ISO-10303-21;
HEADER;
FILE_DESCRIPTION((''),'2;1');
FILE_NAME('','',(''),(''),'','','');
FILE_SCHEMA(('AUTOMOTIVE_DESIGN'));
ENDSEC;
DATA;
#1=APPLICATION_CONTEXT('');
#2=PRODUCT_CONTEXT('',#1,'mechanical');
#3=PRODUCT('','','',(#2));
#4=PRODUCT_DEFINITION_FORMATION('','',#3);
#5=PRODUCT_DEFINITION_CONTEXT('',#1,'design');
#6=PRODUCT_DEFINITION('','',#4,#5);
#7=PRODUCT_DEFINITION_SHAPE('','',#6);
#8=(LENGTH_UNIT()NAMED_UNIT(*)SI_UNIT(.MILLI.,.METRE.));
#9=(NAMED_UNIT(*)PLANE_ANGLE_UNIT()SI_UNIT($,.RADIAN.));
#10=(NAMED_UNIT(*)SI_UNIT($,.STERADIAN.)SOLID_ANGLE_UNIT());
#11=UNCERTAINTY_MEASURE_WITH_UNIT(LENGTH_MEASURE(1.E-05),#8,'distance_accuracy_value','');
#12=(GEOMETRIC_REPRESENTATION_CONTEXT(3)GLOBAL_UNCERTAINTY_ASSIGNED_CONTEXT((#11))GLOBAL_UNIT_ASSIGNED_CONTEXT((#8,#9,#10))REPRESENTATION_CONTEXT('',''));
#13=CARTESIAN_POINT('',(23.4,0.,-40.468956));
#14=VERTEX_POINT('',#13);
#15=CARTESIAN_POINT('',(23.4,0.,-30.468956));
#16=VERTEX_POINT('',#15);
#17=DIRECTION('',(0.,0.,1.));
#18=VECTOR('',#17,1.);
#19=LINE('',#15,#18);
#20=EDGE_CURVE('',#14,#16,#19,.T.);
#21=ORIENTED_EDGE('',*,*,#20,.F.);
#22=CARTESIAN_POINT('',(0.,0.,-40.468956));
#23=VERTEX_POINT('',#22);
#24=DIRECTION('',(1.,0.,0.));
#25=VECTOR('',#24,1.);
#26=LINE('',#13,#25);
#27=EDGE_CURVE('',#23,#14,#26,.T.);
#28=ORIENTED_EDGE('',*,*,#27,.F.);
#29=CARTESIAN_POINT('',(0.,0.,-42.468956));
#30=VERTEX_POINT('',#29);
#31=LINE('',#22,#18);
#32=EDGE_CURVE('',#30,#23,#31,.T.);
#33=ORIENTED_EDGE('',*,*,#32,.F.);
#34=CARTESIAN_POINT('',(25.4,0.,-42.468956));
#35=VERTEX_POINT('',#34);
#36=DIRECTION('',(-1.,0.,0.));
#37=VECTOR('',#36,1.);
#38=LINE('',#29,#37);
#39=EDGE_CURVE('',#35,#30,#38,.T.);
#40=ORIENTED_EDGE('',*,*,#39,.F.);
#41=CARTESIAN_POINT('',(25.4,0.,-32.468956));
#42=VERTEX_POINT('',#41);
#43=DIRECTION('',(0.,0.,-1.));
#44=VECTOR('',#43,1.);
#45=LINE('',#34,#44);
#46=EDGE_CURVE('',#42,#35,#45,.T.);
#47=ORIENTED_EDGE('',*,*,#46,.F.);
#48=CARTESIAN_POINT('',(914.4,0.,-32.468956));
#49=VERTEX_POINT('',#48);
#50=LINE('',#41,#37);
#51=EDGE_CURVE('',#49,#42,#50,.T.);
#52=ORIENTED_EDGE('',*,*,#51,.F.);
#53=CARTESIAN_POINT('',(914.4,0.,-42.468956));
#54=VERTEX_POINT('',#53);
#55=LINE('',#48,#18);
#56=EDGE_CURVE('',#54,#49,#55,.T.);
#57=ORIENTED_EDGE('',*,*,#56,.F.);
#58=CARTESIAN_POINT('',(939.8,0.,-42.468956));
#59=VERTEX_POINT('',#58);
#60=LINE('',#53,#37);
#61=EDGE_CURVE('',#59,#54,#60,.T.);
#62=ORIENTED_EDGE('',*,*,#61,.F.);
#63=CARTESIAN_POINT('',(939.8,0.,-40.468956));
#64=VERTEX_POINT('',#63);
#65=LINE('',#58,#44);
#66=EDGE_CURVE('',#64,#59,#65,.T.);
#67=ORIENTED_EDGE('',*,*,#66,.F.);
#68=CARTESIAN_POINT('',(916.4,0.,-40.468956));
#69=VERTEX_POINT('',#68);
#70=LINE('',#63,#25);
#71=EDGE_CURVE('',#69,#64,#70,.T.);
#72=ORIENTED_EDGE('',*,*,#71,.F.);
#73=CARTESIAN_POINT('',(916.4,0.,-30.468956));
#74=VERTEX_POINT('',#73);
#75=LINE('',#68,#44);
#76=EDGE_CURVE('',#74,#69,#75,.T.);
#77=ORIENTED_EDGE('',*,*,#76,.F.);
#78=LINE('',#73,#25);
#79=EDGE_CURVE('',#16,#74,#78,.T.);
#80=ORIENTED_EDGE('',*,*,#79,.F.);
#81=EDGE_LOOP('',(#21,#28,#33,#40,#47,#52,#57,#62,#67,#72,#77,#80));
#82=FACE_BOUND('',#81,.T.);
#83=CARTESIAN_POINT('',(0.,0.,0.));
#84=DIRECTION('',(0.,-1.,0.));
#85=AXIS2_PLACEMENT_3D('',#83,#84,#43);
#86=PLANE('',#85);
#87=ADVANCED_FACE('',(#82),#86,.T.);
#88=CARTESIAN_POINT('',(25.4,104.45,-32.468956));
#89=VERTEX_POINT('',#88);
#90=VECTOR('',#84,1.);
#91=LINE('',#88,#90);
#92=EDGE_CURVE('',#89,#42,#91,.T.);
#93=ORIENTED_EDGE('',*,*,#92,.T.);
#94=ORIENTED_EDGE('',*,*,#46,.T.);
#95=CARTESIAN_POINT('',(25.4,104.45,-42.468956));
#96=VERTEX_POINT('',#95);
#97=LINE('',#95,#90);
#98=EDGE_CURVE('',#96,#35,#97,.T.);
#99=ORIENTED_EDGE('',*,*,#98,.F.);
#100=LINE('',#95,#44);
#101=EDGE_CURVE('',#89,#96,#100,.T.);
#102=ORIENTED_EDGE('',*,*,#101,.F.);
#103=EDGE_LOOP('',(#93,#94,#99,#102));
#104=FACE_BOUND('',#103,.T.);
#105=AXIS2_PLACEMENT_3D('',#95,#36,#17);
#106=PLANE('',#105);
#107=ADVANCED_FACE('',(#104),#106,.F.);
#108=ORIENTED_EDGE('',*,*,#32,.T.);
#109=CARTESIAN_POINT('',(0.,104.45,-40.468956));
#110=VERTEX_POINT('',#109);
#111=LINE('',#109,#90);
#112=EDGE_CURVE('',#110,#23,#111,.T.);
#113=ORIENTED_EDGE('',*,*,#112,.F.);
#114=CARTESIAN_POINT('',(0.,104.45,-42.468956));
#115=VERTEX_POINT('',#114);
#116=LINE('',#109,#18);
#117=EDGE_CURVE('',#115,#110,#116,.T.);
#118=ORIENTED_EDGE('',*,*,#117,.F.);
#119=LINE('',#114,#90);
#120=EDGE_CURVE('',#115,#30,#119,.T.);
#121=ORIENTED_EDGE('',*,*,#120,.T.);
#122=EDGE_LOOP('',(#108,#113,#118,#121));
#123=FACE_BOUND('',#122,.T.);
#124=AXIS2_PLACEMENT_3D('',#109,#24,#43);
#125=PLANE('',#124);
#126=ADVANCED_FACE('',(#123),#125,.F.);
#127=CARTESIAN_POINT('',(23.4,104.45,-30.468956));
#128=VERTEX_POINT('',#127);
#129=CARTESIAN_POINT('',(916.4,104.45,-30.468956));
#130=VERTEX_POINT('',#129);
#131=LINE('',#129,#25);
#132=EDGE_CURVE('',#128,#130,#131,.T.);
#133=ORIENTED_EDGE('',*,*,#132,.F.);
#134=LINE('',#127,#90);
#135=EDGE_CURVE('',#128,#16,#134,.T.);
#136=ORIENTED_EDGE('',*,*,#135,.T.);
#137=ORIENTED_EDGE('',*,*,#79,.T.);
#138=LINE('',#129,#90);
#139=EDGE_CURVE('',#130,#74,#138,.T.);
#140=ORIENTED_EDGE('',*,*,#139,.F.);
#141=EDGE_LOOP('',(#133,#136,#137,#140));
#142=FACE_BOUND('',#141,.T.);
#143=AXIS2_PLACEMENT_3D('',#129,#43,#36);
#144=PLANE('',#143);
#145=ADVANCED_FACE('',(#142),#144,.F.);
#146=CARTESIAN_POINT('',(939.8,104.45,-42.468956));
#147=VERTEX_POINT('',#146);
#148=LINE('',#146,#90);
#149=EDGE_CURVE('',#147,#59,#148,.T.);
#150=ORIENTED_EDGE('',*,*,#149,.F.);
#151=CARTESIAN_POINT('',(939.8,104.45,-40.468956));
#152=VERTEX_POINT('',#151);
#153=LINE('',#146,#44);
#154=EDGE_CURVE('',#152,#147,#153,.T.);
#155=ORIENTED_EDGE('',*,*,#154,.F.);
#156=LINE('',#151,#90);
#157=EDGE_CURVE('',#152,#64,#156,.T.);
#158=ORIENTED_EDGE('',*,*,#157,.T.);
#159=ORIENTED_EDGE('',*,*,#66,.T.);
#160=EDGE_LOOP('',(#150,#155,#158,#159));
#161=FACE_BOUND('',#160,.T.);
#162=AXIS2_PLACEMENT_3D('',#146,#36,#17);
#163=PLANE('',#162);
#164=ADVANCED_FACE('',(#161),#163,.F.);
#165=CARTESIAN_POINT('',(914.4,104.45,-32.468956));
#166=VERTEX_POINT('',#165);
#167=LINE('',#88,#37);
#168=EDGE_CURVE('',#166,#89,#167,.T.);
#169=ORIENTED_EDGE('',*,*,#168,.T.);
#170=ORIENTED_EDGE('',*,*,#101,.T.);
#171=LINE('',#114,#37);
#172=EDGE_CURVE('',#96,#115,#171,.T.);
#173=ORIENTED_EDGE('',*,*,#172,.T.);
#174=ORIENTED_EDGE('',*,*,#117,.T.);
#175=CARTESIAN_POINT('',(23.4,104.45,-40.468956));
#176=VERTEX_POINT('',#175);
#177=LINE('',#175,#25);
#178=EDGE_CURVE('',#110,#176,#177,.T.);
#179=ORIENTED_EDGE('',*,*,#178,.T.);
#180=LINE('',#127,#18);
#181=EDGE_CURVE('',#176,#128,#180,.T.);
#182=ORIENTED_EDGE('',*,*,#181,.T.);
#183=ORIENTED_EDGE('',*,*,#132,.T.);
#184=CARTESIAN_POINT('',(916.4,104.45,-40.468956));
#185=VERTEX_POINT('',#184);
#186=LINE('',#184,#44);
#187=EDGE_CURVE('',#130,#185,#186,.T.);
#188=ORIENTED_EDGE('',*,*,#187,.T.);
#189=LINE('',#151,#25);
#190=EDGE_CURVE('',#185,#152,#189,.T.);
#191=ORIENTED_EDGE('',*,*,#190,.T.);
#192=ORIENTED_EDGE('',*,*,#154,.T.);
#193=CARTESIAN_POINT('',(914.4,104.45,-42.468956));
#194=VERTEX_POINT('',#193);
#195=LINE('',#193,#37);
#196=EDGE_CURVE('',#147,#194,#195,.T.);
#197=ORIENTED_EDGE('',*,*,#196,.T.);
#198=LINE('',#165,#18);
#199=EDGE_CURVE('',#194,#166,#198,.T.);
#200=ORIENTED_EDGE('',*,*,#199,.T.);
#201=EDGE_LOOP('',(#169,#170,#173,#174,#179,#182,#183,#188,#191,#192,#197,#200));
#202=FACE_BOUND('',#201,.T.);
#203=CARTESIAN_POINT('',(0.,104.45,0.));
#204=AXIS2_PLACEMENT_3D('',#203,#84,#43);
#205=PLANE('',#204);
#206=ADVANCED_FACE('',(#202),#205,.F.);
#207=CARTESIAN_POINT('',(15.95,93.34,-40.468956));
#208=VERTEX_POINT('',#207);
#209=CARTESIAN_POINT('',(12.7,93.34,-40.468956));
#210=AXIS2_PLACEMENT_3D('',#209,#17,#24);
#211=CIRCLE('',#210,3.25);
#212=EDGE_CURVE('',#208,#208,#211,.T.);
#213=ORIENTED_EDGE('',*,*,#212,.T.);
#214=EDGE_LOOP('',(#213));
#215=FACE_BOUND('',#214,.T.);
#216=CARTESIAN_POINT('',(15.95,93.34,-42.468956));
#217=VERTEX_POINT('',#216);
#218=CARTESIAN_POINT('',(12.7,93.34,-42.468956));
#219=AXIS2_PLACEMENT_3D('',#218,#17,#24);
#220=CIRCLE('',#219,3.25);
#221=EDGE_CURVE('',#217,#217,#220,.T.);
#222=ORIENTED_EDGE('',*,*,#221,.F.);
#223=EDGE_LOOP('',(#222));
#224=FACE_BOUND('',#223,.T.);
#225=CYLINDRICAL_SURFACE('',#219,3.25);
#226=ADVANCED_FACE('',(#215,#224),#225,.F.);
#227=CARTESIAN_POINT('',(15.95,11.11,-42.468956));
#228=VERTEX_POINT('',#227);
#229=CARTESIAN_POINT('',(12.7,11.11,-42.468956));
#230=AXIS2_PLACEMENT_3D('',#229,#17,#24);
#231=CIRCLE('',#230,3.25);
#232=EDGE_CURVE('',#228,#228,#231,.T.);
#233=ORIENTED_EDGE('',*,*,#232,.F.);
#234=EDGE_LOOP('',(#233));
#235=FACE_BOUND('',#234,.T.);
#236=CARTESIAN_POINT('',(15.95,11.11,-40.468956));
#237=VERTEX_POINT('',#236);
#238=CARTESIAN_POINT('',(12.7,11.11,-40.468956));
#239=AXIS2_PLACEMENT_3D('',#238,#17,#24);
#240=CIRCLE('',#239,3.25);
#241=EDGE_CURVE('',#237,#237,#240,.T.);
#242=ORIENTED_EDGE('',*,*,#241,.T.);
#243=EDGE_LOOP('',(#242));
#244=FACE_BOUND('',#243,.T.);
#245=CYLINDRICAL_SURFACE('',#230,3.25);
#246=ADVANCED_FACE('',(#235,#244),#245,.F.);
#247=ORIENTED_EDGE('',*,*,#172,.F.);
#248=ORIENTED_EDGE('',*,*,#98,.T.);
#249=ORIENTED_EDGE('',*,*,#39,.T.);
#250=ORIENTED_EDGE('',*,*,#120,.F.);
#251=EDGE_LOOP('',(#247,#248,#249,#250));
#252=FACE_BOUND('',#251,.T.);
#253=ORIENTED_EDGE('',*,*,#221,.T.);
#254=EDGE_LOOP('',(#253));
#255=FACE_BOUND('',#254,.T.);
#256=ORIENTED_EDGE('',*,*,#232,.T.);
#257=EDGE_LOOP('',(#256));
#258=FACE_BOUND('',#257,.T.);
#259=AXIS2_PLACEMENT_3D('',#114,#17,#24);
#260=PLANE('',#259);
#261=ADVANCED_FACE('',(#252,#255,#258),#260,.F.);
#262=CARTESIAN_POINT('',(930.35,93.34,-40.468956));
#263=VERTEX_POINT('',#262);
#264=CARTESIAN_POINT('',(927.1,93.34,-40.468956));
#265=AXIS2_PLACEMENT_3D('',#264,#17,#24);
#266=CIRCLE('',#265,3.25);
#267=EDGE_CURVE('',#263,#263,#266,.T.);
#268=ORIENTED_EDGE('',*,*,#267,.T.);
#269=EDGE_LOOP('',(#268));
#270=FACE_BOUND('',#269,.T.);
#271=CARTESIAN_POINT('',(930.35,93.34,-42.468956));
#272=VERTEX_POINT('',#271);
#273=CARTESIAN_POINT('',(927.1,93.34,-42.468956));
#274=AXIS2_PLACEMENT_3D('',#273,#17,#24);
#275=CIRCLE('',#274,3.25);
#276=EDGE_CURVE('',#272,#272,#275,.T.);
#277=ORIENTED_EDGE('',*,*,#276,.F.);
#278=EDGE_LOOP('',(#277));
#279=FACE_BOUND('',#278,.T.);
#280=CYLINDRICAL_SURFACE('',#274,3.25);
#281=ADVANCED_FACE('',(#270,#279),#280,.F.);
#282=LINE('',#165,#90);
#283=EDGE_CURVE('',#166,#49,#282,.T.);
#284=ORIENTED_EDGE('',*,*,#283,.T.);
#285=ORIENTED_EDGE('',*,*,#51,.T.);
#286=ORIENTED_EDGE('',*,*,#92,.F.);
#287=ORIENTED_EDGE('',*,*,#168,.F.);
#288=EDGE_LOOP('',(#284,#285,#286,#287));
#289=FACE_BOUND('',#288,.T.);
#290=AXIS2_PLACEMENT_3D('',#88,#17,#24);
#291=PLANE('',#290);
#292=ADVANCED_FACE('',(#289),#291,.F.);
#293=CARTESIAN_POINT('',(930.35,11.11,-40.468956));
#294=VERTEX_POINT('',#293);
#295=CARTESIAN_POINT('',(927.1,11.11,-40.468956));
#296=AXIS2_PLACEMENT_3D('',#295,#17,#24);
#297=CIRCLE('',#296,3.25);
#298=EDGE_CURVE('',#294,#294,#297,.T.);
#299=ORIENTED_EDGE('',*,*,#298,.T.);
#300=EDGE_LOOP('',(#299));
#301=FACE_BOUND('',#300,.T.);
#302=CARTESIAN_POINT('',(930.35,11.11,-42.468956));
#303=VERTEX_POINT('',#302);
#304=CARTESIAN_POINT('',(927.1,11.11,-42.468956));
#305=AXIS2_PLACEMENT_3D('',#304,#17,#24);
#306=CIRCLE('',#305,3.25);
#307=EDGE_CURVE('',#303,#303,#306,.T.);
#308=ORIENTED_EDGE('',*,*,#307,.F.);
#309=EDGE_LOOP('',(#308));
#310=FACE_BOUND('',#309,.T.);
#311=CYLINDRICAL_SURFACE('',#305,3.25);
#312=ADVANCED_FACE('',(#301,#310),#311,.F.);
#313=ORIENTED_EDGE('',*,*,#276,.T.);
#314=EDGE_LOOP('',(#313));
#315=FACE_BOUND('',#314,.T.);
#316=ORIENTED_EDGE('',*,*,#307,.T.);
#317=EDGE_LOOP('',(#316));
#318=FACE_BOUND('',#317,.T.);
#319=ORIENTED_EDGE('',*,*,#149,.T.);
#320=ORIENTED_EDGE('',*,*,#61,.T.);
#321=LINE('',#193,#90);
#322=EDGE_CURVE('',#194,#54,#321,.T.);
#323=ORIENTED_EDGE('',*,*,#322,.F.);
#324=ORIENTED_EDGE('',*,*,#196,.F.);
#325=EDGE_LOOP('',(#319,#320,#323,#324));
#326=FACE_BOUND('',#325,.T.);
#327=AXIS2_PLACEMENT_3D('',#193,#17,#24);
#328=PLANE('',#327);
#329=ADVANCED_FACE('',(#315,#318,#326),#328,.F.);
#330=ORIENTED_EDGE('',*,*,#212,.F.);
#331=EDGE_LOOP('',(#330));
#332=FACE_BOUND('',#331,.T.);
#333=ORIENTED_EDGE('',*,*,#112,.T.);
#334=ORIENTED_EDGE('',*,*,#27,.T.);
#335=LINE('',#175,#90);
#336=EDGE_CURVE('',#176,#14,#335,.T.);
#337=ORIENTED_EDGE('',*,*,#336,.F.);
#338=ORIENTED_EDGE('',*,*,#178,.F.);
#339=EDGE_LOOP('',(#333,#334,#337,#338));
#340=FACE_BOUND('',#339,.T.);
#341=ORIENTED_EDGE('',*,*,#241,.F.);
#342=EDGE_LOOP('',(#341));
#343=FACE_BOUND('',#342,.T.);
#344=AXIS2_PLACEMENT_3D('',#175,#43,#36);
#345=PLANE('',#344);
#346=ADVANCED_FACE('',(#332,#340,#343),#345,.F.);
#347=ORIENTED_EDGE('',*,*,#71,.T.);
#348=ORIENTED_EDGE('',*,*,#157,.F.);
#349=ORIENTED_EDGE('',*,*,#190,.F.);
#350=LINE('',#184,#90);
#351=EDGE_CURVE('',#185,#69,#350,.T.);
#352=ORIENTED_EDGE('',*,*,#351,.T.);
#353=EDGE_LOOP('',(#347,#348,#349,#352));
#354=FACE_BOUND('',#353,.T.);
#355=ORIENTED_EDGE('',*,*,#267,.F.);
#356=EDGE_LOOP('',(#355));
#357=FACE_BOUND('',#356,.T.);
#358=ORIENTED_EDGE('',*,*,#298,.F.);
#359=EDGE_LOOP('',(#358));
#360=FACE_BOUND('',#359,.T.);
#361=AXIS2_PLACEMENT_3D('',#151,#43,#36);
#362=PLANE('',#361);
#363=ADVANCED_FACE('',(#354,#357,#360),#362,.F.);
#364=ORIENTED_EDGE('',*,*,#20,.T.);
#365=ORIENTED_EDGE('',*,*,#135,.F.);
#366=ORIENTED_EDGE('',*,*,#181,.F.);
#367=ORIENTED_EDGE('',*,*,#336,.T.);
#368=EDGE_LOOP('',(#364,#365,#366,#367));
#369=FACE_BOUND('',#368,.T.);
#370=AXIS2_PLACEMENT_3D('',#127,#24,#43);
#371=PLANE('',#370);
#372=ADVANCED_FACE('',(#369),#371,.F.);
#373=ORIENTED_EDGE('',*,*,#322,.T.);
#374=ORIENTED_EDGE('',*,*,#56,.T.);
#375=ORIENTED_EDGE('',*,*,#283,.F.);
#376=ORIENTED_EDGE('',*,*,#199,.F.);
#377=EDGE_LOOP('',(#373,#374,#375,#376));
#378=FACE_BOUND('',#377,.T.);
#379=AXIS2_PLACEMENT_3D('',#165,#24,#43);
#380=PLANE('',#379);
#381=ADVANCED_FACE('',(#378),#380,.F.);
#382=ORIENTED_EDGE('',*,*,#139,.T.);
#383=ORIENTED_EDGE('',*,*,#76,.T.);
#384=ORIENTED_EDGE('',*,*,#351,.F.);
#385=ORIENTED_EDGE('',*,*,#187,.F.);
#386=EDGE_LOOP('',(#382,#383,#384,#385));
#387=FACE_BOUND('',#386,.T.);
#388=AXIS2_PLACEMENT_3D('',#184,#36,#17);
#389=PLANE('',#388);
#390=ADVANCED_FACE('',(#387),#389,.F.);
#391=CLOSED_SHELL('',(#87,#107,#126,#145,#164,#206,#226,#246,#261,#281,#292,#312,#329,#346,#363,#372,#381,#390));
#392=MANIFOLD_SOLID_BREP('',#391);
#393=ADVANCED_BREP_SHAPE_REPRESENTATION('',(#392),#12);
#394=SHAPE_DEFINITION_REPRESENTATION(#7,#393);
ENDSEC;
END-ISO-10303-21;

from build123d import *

# Parameters (mm, degrees)
BOSS_EXTRUDE1_DEPTH = 104.45
SKETCH2_R           = 3.25
CUT_EXTRUDE1_DEPTH  = 946.639382904


with BuildPart() as part:
    # Sketch1 → Boss-Extrude1 (new body)
    with BuildSketch(Plane(origin=(0, 0, 0), x_dir=(1, 0, 0), z_dir=(0, 1, 0))):
        Polygon((916.4, 30.468956062), (23.4, 30.468956062), (23.4, 40.468956062), (0, 40.468956062), (0, 42.468956062), (25.4, 42.468956062), (25.4, 32.468956062), (914.4, 32.468956062), (914.4, 42.468956062), (939.8, 42.468956062), (939.8, 40.468956062), (916.4, 40.468956062), align=None)
    extrude(amount=BOSS_EXTRUDE1_DEPTH)

    # Sketch2 → Cut-Extrude1 (cut, through all)
    with BuildSketch(Plane.XY.offset(-40.468956062)):
        with Locations((927.1, 11.11)):
            Circle(SKETCH2_R)
        with Locations((927.1, 93.34)):
            Circle(SKETCH2_R)
        with Locations((12.7, 11.11)):
            Circle(SKETCH2_R)
        with Locations((12.7, 93.34)):
            Circle(SKETCH2_R)
    extrude(amount=-CUT_EXTRUDE1_DEPTH, mode=Mode.SUBTRACT)


solid = part.part
